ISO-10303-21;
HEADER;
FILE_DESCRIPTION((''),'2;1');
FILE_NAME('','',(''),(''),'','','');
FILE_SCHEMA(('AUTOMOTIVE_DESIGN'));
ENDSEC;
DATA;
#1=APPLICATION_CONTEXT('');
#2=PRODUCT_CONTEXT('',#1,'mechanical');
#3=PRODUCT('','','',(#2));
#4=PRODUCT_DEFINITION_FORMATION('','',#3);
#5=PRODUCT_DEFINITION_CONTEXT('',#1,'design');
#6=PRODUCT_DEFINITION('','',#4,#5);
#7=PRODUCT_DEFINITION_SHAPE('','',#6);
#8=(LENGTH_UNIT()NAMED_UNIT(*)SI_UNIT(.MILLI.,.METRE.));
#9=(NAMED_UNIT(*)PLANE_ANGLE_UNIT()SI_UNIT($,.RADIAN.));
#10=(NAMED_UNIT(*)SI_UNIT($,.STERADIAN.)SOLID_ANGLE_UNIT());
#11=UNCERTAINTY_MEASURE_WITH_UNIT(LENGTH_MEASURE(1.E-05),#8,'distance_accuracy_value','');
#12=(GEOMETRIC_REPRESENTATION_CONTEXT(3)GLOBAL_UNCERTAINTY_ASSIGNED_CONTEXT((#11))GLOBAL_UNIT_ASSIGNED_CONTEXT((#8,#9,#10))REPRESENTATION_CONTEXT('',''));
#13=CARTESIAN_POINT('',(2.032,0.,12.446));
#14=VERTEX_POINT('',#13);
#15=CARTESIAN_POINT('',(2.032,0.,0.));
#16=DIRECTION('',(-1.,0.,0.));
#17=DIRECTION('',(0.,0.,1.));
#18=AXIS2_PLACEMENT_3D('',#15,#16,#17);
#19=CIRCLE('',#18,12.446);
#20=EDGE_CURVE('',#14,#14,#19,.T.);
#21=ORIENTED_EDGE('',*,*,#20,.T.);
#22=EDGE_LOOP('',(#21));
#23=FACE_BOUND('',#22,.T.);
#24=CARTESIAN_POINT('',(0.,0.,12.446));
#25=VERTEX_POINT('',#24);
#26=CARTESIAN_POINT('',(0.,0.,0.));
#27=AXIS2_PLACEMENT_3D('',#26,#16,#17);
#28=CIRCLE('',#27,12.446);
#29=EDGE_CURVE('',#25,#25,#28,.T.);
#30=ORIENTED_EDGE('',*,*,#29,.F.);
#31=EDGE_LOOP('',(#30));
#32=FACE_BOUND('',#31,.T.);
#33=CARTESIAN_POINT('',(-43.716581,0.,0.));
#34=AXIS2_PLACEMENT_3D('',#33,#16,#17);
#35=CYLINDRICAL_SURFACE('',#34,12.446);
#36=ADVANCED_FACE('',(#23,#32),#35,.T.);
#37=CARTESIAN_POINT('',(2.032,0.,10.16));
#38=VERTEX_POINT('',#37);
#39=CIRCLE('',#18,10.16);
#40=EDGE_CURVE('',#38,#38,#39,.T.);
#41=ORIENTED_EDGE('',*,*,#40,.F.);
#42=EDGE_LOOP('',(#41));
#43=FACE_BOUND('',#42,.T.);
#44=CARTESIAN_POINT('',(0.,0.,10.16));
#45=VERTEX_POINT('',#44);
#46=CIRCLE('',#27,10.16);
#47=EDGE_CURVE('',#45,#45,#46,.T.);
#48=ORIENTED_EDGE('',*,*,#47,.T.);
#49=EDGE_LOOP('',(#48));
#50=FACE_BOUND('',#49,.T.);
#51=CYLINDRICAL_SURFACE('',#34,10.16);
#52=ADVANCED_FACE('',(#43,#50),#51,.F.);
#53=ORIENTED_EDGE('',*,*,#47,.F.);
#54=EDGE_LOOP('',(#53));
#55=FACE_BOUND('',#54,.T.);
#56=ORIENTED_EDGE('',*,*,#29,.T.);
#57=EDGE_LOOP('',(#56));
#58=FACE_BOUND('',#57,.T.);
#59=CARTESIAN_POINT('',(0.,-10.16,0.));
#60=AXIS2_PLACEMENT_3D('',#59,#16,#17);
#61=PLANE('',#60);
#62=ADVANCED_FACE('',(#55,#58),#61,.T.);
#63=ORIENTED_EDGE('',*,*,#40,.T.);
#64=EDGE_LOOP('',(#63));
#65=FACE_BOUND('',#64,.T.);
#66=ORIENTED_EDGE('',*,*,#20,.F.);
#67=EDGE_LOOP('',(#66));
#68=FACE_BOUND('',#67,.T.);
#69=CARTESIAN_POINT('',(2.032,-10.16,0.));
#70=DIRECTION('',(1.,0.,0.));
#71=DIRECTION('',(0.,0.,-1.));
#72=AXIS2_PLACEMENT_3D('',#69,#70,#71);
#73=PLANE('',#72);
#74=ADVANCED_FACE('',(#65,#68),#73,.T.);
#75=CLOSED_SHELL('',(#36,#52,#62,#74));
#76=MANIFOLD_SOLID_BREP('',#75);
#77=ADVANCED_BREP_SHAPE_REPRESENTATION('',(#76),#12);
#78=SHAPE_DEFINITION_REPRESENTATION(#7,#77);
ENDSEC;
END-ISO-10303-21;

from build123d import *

# Parameters (mm, degrees)
SKETCH1_W = 2.032
SKETCH1_H = 2.286


with BuildPart() as part:
    # Sketch1 → Revolve1 (revolve)
    with BuildSketch(Plane.XY, mode=Mode.PRIVATE) as revolve1_sk:
        with Locations((1.016, -11.303)):
            Rectangle(SKETCH1_W, SKETCH1_H)
    revolve(revolve1_sk.sketch.rotate(Axis((-43.716580756, 0, 0), (1, 0, 0)), 270), axis=Axis((-43.716580756, 0, 0), (1, 0, 0)))  # turned: the seam where the file's is


solid = part.part
